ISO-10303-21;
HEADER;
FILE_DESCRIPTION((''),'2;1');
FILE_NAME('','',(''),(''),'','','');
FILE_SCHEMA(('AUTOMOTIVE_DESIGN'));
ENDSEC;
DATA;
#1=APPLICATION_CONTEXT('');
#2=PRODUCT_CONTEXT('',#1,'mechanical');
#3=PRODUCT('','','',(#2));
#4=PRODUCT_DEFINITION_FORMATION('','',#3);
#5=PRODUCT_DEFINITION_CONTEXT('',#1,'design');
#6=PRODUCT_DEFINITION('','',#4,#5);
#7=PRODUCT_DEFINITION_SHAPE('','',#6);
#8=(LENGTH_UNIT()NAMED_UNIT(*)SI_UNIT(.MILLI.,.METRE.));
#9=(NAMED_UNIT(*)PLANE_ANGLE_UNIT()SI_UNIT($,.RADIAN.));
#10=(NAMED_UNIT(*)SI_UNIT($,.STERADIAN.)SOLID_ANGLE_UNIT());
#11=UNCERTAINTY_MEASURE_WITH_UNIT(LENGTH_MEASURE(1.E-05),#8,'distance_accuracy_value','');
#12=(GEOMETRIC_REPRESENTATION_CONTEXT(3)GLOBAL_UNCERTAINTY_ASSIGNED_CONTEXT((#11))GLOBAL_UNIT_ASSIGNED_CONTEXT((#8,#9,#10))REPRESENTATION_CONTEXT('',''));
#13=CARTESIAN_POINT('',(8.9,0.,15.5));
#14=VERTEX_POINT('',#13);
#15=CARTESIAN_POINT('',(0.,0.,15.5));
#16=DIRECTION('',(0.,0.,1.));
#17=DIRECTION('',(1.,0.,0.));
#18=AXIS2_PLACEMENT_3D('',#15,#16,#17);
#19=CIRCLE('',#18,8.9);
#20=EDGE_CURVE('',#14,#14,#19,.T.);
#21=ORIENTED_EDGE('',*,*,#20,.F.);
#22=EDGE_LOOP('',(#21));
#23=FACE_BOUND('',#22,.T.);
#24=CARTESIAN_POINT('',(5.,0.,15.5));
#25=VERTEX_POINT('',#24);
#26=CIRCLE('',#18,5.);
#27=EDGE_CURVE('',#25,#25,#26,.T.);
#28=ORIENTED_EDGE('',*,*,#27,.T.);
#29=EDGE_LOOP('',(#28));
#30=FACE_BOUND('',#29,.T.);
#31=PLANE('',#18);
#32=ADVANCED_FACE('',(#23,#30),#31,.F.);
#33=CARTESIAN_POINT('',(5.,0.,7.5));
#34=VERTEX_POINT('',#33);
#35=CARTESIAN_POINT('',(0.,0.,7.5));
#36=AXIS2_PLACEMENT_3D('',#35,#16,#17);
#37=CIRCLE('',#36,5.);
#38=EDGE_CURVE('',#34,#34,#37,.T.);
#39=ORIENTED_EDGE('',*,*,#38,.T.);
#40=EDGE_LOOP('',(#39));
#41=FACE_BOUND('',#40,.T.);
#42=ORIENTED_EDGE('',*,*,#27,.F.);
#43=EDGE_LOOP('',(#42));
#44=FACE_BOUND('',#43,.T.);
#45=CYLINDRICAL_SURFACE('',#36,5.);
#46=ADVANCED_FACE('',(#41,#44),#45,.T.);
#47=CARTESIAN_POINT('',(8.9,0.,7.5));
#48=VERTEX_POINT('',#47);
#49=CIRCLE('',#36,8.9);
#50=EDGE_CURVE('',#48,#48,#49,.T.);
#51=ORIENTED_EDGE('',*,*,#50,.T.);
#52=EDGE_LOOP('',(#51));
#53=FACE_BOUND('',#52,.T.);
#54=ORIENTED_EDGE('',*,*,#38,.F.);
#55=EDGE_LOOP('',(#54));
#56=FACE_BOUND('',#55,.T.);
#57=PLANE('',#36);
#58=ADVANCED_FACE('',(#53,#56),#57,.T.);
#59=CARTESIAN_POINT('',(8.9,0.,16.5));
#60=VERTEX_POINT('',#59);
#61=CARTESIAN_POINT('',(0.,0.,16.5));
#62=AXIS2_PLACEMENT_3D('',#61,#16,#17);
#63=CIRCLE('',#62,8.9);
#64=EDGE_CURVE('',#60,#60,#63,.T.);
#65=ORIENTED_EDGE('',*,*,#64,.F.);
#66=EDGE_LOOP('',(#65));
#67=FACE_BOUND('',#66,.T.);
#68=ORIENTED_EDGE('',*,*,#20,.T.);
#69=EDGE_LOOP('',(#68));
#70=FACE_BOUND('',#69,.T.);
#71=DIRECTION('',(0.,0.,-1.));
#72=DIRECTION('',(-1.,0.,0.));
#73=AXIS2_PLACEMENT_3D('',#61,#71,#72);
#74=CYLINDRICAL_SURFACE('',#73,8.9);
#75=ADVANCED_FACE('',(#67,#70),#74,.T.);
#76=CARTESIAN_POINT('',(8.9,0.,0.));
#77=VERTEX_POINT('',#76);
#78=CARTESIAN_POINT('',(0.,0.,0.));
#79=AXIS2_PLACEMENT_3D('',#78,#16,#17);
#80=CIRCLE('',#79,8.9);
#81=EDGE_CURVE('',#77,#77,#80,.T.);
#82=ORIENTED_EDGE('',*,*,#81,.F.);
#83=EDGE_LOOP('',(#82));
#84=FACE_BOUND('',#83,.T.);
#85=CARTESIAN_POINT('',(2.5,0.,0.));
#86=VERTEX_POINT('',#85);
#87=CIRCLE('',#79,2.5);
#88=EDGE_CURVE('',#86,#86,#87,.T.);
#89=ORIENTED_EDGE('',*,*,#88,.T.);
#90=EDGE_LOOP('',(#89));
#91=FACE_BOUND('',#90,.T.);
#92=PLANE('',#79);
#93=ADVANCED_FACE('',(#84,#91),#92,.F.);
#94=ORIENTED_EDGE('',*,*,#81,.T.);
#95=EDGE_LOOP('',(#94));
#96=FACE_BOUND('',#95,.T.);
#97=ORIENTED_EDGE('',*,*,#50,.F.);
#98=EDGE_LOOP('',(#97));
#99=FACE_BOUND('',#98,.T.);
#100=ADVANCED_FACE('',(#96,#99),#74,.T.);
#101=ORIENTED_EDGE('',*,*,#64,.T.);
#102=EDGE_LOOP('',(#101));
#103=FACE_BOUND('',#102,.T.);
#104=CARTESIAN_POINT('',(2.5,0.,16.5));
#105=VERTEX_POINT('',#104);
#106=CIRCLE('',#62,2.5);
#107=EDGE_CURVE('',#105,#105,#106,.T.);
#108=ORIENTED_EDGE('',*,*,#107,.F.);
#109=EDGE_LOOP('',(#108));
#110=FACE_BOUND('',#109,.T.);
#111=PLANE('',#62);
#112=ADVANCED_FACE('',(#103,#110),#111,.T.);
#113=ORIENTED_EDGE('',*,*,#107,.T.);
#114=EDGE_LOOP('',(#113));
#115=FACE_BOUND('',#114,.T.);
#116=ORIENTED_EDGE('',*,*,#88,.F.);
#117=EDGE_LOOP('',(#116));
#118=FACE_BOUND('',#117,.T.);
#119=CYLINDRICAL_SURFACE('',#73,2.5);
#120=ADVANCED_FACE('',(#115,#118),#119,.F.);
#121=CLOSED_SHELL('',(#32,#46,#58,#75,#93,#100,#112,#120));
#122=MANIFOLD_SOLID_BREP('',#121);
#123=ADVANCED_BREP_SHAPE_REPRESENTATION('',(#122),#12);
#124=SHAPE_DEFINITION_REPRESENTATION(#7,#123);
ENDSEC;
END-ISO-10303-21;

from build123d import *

# Parameters (mm, degrees)
SKETCH1_R           = 8.9
SKETCH1_R_2         = 2.5
BOSS_EXTRUDE1_DEPTH = 16.5
CUT_EXTRUDE1_START  = -9
SKETCH2_R           = 8.9
SKETCH2_R_2         = 5
CUT_EXTRUDE1_DEPTH  = 8


with BuildPart() as part:
    # Sketch1 → Boss-Extrude1 (new body)
    with BuildSketch(Plane.XY):
        Circle(SKETCH1_R)
        Circle(SKETCH1_R_2, mode=Mode.SUBTRACT)
    extrude(amount=BOSS_EXTRUDE1_DEPTH)

    # Sketch2 → Cut-Extrude1 (cut)
    with BuildSketch(Plane.XY.offset(16.5).offset(CUT_EXTRUDE1_START)):
        Circle(SKETCH2_R)
        Circle(SKETCH2_R_2, mode=Mode.SUBTRACT)
    extrude(amount=CUT_EXTRUDE1_DEPTH, mode=Mode.SUBTRACT)


solid = part.part
